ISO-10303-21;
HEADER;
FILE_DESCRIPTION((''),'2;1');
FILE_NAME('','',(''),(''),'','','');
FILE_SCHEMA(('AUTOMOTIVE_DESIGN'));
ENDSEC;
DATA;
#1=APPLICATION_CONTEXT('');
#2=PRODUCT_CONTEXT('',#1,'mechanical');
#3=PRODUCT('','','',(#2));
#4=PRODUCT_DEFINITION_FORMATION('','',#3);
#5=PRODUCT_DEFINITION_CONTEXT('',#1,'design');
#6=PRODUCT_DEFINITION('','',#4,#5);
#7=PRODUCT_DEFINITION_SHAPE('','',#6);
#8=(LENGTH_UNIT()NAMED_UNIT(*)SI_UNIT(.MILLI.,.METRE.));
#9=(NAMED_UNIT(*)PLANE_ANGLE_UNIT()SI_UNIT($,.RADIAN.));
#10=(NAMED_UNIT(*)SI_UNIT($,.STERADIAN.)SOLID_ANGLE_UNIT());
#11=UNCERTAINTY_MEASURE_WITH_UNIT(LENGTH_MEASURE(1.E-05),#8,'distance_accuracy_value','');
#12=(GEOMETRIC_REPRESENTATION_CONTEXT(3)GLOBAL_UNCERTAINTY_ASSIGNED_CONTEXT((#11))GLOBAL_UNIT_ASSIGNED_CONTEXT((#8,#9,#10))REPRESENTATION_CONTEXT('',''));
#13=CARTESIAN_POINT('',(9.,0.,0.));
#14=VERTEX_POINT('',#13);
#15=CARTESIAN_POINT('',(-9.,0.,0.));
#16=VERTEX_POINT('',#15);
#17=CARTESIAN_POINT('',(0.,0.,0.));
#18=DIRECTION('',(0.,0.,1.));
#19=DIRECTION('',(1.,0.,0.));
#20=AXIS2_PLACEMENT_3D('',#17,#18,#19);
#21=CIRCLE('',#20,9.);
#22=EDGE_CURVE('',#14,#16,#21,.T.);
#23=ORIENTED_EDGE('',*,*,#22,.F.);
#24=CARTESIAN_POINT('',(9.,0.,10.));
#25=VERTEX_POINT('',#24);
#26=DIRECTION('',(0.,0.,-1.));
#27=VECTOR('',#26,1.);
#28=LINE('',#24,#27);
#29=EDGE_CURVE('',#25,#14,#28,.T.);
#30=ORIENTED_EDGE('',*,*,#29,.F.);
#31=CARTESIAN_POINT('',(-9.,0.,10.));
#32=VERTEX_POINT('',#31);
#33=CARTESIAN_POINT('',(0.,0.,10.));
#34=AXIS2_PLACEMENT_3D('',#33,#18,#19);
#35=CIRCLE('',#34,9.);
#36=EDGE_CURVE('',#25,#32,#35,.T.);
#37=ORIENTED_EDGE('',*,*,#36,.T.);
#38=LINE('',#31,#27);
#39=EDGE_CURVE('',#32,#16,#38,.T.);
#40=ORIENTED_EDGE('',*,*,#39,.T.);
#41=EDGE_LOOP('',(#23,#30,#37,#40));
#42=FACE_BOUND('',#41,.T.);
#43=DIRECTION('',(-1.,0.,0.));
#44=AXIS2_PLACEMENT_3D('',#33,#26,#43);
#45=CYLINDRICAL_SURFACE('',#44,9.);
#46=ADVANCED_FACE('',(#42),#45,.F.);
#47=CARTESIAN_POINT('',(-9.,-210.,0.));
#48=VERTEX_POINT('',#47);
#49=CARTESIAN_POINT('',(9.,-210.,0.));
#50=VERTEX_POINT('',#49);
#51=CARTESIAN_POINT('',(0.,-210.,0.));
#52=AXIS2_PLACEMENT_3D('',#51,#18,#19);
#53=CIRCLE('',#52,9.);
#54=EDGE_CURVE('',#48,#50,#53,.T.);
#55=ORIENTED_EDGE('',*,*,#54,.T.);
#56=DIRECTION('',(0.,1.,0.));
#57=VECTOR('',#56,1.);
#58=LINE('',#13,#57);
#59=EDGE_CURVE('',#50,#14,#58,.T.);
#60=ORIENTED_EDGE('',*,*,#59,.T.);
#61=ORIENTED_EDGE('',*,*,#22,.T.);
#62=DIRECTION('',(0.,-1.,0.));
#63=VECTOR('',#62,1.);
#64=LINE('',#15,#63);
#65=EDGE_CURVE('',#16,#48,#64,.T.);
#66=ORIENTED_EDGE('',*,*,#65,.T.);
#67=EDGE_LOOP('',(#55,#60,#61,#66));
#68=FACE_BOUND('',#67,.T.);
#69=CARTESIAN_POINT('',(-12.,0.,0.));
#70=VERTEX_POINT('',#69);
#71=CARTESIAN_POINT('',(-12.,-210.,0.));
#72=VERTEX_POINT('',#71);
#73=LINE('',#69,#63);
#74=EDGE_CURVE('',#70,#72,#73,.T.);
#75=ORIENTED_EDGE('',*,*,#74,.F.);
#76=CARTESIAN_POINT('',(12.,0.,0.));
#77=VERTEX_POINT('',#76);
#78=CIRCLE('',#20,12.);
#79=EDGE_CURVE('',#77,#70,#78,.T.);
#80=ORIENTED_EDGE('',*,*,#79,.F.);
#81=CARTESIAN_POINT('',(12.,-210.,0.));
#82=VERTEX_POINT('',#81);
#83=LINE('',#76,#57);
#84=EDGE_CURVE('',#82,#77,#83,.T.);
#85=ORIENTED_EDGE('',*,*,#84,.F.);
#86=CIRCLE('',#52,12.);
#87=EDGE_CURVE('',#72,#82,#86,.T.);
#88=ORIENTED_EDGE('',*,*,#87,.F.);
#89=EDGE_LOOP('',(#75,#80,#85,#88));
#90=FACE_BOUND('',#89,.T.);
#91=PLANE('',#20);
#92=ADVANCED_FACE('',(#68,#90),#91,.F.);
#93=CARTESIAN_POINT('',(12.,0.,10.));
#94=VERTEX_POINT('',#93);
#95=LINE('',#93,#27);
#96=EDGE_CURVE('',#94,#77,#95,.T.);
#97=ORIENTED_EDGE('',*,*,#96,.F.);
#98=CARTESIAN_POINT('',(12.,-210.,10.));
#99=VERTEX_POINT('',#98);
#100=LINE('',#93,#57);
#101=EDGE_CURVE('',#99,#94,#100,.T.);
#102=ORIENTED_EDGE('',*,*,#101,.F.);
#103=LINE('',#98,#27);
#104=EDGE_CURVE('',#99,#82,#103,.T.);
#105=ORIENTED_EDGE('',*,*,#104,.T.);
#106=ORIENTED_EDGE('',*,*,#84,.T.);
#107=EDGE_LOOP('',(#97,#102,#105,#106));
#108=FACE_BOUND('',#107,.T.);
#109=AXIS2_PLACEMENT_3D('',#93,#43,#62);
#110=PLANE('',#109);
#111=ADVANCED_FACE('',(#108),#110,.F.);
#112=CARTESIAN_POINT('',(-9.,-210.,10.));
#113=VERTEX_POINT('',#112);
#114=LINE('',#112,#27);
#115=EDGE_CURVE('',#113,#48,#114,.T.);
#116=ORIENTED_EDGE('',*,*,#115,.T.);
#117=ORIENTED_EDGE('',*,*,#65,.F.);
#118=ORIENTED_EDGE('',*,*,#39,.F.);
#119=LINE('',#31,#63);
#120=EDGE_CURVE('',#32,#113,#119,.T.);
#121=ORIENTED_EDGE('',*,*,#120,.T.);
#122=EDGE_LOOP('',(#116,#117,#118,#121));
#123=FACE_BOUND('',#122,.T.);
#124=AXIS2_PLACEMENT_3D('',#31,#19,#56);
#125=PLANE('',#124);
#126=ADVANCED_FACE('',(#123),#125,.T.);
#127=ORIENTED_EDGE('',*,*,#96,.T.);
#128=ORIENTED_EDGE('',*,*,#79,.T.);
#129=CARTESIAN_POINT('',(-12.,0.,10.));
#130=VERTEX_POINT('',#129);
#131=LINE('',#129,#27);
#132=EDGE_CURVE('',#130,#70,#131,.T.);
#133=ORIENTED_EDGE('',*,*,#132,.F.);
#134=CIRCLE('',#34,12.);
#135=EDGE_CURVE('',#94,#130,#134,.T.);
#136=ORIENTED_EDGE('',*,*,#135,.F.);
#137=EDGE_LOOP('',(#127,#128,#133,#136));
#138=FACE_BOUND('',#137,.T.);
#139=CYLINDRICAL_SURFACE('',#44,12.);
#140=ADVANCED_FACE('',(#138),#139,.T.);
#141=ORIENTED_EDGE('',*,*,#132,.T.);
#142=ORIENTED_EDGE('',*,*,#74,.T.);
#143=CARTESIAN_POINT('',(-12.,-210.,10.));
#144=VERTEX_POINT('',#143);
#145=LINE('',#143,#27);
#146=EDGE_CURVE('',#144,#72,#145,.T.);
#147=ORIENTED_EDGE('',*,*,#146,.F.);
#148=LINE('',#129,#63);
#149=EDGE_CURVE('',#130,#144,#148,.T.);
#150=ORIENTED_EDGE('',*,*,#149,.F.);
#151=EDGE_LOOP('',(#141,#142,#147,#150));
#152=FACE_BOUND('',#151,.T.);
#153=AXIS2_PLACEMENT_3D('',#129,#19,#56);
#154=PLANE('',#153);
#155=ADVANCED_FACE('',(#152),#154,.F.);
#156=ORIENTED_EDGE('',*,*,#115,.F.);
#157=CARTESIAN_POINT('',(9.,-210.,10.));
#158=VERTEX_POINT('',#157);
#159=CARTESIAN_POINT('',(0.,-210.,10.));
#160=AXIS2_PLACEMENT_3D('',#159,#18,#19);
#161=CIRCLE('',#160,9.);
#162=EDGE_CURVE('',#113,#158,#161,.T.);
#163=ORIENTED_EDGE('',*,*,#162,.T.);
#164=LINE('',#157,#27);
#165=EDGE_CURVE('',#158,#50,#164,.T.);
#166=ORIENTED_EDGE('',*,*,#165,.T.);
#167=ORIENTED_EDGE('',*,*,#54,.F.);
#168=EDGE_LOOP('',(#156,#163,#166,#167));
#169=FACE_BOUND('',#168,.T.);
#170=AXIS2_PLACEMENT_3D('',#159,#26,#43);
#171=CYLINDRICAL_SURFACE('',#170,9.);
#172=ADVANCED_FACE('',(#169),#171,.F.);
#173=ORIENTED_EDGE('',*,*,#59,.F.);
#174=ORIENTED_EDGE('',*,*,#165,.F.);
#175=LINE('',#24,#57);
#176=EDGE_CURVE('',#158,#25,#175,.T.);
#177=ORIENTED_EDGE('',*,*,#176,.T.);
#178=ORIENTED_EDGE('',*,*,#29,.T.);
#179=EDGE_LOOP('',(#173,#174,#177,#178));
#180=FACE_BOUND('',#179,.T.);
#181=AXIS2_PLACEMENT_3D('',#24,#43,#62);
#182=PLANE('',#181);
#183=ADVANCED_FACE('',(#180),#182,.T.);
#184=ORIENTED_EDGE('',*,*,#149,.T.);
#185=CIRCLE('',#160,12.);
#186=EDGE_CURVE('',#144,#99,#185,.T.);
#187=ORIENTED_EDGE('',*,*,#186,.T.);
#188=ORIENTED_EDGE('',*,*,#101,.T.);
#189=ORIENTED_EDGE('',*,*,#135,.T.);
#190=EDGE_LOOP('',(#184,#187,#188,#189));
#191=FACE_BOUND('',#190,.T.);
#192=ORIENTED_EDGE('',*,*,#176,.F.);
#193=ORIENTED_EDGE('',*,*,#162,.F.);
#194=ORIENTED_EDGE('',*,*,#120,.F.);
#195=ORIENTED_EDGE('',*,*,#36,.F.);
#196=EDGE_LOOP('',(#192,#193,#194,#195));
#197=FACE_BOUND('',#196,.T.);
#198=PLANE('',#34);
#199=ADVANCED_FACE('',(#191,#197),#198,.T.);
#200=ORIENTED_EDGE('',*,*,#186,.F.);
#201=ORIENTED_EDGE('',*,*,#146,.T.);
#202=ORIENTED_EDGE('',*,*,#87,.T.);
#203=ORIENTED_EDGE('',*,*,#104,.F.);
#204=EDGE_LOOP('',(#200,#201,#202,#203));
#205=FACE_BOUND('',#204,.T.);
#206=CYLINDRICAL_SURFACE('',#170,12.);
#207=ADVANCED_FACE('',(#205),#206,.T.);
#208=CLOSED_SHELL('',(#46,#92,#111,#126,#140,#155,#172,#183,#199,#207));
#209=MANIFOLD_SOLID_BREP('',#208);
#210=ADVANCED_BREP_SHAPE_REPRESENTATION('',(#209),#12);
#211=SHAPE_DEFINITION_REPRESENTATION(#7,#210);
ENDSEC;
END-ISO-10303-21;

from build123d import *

# Parameters (mm, degrees)
EXTRUDE_1_DEPTH = 10


with BuildPart() as part:
    # 草图1 → 凸台-拉伸1 (new body)
    with BuildSketch(Plane.XY):
        with BuildLine():
            Line((12, 0), (12, -210))
            ThreePointArc((12, -210), (0, -222), (-12, -210))
            Line((-12, -210), (-12, 0))
            ThreePointArc((-12, 0), (0, 12), (12, 0))
        make_face()
        with BuildLine():
            Line((9, 0), (9, -210))
            ThreePointArc((9, -210), (0, -219), (-9, -210))
            Line((-9, -210), (-9, 0))
            ThreePointArc((-9, 0), (0, 9), (9, 0))
        make_face(mode=Mode.SUBTRACT)
    extrude(amount=EXTRUDE_1_DEPTH)


solid = part.part
